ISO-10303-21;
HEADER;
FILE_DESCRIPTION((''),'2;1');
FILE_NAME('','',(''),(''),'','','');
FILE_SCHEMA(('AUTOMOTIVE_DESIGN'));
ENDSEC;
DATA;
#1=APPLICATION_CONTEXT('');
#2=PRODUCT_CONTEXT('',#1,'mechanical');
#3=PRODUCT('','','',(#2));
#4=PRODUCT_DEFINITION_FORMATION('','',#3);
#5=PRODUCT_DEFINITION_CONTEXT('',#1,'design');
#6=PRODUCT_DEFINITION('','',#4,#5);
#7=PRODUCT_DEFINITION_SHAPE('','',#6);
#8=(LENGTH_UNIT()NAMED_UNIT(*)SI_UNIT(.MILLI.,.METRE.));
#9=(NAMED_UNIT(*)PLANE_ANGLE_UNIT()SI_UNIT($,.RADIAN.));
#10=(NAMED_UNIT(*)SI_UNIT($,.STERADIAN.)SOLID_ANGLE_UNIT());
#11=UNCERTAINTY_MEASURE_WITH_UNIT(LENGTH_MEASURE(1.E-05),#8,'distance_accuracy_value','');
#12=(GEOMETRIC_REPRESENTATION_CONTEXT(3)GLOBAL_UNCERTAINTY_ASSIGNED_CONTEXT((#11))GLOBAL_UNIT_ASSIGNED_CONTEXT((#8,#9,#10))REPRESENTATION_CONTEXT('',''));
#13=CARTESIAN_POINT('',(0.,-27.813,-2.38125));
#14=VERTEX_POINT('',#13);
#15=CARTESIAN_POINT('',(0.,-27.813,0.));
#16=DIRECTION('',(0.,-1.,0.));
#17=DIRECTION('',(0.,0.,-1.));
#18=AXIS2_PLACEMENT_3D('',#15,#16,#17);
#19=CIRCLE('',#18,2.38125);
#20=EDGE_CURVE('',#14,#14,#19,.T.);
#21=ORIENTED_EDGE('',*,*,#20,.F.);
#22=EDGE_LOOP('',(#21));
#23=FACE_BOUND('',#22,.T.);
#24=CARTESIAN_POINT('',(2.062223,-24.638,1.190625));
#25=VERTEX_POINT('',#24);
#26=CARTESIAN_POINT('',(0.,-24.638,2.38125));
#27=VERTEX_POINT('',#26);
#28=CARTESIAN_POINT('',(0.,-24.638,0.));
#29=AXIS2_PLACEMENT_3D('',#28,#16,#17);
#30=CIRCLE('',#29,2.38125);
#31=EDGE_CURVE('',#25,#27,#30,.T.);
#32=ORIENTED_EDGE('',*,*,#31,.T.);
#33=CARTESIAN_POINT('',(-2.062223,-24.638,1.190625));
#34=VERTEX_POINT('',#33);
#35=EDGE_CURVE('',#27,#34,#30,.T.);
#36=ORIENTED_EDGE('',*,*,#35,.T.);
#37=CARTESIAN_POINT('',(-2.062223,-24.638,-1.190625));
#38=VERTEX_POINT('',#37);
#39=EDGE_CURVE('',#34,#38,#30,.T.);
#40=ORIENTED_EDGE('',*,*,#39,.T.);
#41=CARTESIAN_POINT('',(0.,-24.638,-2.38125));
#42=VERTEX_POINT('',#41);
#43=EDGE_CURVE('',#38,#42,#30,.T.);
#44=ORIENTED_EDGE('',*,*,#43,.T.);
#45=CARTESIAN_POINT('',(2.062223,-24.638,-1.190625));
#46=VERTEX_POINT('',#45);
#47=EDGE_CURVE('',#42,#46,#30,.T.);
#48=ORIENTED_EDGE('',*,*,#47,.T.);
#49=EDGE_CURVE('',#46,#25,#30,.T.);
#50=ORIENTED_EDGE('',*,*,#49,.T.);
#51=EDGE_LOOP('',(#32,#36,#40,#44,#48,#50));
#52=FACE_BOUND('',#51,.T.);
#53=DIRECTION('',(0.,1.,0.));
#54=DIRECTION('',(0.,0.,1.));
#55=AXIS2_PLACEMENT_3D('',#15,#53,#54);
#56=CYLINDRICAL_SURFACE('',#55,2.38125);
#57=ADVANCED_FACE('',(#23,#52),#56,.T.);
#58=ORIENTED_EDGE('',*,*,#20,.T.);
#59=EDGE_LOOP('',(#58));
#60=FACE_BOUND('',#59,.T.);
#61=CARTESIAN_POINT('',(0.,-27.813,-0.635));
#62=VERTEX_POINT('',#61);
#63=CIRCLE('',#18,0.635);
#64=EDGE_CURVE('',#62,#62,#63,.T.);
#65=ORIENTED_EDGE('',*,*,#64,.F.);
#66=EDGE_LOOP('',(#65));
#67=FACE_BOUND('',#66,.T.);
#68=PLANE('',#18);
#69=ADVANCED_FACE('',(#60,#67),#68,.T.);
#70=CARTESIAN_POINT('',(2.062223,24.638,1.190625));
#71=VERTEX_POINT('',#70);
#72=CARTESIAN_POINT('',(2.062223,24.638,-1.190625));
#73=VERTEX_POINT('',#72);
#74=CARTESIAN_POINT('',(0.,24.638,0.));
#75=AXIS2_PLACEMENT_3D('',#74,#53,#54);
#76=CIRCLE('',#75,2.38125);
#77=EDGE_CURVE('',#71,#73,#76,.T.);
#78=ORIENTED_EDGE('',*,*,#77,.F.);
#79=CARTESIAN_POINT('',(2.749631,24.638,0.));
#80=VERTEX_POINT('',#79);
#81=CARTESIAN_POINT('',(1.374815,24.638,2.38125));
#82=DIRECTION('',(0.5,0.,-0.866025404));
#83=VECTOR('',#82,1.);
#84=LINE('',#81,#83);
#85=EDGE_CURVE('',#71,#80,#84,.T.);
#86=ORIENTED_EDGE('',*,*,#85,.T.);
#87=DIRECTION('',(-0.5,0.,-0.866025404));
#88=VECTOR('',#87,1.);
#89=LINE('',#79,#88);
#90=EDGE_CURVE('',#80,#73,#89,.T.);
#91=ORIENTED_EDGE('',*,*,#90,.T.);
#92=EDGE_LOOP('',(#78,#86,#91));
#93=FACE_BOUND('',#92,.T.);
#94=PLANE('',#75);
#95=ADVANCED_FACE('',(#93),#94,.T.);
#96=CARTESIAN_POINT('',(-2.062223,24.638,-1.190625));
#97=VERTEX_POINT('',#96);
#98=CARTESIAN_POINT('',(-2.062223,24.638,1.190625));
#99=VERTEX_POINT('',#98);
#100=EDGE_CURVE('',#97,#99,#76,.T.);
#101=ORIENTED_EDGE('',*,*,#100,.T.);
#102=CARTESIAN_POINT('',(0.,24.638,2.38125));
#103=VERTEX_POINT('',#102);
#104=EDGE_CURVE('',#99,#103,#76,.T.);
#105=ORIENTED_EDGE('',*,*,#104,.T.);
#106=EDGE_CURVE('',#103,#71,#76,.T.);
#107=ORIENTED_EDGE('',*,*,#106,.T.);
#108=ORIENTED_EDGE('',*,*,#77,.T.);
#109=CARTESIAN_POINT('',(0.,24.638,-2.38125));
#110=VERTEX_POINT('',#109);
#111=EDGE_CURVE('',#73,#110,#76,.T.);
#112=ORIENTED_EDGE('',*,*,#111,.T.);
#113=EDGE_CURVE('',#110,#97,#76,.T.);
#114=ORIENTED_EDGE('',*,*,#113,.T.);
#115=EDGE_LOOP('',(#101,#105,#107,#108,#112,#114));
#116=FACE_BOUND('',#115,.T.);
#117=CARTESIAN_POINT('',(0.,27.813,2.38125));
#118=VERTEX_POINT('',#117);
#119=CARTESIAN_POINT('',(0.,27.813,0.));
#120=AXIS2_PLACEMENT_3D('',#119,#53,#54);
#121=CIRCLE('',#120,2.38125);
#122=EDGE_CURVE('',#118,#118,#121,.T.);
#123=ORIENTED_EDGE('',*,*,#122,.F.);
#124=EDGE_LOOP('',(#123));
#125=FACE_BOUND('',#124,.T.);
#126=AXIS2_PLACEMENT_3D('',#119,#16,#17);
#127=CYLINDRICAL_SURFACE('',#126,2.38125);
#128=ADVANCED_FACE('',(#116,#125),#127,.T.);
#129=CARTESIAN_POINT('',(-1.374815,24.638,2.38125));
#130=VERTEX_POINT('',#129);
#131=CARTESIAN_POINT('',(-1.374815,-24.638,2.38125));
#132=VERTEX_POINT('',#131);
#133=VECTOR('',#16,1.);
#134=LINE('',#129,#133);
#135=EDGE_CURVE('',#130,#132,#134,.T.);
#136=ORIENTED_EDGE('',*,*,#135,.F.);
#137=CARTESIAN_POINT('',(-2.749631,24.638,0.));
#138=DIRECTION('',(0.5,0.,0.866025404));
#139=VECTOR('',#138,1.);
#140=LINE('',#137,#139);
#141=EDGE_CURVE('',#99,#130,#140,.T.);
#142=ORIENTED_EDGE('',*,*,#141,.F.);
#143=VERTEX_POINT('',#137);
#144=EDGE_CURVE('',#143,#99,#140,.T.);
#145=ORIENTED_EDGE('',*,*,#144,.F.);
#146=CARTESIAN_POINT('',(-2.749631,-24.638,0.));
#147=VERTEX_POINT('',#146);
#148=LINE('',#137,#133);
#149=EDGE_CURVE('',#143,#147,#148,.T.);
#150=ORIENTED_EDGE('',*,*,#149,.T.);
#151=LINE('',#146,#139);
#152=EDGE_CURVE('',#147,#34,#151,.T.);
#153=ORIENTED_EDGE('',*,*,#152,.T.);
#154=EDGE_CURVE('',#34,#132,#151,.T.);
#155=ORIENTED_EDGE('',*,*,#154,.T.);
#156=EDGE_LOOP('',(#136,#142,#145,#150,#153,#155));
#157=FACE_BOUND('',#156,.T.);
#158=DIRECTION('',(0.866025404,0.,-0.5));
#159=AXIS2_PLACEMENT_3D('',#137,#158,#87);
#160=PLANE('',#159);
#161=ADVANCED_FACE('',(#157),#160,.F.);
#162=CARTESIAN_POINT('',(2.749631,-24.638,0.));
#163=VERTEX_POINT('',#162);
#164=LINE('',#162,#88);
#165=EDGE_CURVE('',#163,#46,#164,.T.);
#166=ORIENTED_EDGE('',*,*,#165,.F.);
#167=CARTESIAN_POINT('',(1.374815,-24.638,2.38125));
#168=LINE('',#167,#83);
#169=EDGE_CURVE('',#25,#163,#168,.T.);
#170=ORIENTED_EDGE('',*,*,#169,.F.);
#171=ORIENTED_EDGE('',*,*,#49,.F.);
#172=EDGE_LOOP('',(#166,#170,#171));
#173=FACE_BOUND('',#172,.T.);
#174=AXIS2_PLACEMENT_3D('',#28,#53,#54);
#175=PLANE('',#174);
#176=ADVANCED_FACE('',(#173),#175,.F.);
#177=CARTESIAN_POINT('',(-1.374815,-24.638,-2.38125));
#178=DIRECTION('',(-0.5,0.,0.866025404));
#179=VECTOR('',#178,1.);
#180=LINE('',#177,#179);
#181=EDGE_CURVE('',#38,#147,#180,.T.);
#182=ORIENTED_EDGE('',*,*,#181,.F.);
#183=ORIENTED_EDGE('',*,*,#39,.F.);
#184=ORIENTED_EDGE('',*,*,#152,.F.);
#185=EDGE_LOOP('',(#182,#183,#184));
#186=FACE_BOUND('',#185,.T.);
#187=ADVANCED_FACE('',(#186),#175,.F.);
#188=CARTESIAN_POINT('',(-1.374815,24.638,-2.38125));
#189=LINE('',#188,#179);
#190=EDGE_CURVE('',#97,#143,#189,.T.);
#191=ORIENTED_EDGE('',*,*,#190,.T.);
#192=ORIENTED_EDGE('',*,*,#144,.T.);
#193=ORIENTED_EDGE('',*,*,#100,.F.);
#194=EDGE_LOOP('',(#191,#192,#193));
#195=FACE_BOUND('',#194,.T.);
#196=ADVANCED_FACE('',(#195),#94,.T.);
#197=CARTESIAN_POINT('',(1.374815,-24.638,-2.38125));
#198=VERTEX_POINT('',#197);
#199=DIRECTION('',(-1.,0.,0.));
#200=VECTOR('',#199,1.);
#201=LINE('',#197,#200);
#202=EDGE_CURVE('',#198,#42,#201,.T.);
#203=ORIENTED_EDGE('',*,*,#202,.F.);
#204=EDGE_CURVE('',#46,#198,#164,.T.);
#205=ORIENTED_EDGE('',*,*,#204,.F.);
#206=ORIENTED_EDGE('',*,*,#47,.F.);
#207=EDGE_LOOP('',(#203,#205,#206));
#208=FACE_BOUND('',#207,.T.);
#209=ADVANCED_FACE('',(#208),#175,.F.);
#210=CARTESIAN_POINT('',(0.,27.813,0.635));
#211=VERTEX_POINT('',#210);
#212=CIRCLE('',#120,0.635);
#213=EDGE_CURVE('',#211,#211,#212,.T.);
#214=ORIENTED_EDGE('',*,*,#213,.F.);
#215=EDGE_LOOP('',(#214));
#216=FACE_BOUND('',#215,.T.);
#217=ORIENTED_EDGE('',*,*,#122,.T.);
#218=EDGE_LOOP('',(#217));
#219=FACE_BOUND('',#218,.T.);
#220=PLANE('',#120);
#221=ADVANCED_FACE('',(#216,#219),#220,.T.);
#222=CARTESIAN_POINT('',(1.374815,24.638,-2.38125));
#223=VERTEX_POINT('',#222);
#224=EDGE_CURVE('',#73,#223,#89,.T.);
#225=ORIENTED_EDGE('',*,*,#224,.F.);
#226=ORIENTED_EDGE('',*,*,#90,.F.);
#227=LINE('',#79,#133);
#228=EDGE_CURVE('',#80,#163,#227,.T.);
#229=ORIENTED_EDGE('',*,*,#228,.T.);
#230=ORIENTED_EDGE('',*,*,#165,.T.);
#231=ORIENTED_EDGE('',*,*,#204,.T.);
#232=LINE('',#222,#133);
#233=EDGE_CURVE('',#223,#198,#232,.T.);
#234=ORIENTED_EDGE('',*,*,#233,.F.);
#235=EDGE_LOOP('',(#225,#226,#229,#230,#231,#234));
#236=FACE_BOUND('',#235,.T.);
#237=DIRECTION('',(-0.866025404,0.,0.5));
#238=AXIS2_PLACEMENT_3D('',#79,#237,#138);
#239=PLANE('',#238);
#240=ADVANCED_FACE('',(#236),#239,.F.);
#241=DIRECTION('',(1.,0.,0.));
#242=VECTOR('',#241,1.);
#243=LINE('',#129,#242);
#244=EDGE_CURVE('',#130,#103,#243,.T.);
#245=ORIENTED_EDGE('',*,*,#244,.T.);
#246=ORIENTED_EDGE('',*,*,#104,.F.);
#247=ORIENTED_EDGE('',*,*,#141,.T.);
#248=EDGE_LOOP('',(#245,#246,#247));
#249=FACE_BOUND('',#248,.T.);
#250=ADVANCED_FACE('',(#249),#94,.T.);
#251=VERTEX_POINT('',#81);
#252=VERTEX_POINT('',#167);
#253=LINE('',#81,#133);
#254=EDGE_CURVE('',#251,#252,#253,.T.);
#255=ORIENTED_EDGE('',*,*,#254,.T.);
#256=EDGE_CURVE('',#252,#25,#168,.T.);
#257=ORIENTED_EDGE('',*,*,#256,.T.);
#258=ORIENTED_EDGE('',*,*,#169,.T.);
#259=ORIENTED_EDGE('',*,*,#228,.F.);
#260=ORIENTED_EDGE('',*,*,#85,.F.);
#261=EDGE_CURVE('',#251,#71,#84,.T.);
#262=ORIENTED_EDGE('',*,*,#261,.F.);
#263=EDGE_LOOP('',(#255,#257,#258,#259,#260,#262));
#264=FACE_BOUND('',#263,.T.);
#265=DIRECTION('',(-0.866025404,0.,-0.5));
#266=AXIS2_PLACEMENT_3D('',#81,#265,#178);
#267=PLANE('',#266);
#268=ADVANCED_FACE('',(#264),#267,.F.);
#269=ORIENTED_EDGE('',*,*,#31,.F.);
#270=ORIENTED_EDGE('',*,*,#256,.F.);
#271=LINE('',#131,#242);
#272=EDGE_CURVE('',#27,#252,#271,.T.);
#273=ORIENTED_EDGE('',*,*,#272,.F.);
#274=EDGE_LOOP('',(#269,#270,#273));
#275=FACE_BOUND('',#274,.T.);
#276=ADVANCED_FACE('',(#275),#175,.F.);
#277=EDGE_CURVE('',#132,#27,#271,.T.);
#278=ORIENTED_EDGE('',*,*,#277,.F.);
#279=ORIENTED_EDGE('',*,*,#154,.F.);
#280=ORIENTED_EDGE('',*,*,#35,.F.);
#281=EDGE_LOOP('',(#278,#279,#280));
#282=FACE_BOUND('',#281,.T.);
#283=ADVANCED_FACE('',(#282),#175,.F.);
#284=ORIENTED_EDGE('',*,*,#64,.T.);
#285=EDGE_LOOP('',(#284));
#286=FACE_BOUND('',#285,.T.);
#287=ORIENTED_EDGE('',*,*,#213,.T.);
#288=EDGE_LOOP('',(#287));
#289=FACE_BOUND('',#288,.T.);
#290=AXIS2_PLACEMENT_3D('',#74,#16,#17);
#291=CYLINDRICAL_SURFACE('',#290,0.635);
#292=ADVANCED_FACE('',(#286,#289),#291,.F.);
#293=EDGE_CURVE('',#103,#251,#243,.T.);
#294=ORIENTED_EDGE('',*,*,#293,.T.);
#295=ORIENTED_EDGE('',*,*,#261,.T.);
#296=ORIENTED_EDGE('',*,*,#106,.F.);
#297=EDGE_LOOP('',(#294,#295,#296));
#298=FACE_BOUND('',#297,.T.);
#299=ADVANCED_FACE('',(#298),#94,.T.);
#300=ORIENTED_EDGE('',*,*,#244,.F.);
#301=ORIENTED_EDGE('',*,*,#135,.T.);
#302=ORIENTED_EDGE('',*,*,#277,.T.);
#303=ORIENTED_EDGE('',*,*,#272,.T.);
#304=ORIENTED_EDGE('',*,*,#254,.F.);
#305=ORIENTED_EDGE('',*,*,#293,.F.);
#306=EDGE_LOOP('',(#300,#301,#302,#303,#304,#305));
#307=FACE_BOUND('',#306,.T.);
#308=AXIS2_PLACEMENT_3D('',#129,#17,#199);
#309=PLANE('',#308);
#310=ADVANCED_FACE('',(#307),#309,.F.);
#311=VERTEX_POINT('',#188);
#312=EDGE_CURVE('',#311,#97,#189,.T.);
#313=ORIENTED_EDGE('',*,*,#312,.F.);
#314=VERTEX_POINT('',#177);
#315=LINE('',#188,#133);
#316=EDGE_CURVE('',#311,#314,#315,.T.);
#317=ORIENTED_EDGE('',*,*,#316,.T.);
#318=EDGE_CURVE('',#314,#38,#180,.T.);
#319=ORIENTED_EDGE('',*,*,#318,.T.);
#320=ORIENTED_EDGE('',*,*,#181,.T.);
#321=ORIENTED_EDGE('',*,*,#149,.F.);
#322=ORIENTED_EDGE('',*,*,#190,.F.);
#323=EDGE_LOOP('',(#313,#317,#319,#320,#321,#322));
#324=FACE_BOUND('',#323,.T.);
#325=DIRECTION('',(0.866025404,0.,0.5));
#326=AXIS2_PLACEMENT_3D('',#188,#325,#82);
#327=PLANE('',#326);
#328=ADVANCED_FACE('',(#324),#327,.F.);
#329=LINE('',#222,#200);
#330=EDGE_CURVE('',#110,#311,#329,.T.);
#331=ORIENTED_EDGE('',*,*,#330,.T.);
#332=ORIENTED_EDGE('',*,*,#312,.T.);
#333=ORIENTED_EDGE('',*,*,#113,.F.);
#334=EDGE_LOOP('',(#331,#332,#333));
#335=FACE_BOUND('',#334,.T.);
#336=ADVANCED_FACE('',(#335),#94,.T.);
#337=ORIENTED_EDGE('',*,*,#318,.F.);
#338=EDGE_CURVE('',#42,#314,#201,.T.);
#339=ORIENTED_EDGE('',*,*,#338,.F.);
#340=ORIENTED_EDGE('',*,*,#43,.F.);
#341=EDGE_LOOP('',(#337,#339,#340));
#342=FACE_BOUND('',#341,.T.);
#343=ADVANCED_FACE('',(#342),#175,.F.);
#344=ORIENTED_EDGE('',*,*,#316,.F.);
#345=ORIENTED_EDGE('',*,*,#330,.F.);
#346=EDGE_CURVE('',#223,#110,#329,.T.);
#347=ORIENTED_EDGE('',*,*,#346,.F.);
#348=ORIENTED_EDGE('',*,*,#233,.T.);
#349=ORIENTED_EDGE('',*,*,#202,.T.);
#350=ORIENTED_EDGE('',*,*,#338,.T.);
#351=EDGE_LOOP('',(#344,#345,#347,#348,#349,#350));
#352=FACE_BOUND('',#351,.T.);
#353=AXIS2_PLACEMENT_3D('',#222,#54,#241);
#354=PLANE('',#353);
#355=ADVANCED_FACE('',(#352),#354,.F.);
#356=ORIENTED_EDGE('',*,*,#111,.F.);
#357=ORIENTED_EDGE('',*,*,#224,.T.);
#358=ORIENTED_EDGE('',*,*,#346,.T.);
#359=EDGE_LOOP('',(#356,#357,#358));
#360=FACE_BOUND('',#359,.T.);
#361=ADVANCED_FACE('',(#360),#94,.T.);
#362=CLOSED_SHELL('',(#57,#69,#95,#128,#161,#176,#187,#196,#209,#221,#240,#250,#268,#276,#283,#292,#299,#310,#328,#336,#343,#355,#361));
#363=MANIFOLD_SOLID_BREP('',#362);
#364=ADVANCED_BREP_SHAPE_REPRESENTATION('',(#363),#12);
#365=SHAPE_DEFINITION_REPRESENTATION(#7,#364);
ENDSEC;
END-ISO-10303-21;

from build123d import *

# Parameters (mm, degrees)
SKETCH1_R           = 0.635
BOSS_EXTRUDE1_DEPTH = 24.638
SKETCH2_R           = 2.38125
SKETCH2_R_2         = 0.635
BOSS_EXTRUDE2_DEPTH = 3.175
BOSS_EXTRUDE3_START = 3.175
SKETCH3_R           = 2.38125
SKETCH3_R_2         = 0.635
BOSS_EXTRUDE3_DEPTH = 3.175


with BuildPart() as part:
    # Sketch1 → Boss-Extrude1 (new, symmetric)
    with BuildSketch(Plane(origin=(0, 0, 0), x_dir=(1, 0, 0), z_dir=(0, 1, 0))):
        Polygon((1.374815329, -2.38125), (2.749630657, 0), (1.374815329, 2.38125), (-1.374815329, 2.38125), (-2.749630657, 0), (-1.374815329, -2.38125), align=None)
        with Locations(Location((0, 0, 0), (0, 0, 270))):
            Circle(SKETCH1_R, mode=Mode.SUBTRACT)
    extrude(amount=BOSS_EXTRUDE1_DEPTH, both=True)

    # Sketch2 → Boss-Extrude2 (add)
    with BuildSketch(Plane(origin=(0, 24.638, 0), x_dir=(1, 0, 0), z_dir=(0, 1, 0))):
        with Locations(Location((0, 0, 0), (0, 0, 270))):
            Circle(SKETCH2_R)
        with Locations(Location((0, 0, 0), (0, 0, 270))):
            Circle(SKETCH2_R_2, mode=Mode.SUBTRACT)
    extrude(amount=BOSS_EXTRUDE2_DEPTH)

    # Sketch3 → Boss-Extrude3 (add)
    with BuildSketch(Plane.XZ.offset(24.638).offset(BOSS_EXTRUDE3_START)):
        with Locations(Location((0, 0, 0), (0, 0, 90))):
            Circle(SKETCH3_R)
        with Locations(Location((0, 0, 0), (0, 0, 270))):
            Circle(SKETCH3_R_2, mode=Mode.SUBTRACT)
    extrude(amount=-BOSS_EXTRUDE3_DEPTH)


solid = part.part
